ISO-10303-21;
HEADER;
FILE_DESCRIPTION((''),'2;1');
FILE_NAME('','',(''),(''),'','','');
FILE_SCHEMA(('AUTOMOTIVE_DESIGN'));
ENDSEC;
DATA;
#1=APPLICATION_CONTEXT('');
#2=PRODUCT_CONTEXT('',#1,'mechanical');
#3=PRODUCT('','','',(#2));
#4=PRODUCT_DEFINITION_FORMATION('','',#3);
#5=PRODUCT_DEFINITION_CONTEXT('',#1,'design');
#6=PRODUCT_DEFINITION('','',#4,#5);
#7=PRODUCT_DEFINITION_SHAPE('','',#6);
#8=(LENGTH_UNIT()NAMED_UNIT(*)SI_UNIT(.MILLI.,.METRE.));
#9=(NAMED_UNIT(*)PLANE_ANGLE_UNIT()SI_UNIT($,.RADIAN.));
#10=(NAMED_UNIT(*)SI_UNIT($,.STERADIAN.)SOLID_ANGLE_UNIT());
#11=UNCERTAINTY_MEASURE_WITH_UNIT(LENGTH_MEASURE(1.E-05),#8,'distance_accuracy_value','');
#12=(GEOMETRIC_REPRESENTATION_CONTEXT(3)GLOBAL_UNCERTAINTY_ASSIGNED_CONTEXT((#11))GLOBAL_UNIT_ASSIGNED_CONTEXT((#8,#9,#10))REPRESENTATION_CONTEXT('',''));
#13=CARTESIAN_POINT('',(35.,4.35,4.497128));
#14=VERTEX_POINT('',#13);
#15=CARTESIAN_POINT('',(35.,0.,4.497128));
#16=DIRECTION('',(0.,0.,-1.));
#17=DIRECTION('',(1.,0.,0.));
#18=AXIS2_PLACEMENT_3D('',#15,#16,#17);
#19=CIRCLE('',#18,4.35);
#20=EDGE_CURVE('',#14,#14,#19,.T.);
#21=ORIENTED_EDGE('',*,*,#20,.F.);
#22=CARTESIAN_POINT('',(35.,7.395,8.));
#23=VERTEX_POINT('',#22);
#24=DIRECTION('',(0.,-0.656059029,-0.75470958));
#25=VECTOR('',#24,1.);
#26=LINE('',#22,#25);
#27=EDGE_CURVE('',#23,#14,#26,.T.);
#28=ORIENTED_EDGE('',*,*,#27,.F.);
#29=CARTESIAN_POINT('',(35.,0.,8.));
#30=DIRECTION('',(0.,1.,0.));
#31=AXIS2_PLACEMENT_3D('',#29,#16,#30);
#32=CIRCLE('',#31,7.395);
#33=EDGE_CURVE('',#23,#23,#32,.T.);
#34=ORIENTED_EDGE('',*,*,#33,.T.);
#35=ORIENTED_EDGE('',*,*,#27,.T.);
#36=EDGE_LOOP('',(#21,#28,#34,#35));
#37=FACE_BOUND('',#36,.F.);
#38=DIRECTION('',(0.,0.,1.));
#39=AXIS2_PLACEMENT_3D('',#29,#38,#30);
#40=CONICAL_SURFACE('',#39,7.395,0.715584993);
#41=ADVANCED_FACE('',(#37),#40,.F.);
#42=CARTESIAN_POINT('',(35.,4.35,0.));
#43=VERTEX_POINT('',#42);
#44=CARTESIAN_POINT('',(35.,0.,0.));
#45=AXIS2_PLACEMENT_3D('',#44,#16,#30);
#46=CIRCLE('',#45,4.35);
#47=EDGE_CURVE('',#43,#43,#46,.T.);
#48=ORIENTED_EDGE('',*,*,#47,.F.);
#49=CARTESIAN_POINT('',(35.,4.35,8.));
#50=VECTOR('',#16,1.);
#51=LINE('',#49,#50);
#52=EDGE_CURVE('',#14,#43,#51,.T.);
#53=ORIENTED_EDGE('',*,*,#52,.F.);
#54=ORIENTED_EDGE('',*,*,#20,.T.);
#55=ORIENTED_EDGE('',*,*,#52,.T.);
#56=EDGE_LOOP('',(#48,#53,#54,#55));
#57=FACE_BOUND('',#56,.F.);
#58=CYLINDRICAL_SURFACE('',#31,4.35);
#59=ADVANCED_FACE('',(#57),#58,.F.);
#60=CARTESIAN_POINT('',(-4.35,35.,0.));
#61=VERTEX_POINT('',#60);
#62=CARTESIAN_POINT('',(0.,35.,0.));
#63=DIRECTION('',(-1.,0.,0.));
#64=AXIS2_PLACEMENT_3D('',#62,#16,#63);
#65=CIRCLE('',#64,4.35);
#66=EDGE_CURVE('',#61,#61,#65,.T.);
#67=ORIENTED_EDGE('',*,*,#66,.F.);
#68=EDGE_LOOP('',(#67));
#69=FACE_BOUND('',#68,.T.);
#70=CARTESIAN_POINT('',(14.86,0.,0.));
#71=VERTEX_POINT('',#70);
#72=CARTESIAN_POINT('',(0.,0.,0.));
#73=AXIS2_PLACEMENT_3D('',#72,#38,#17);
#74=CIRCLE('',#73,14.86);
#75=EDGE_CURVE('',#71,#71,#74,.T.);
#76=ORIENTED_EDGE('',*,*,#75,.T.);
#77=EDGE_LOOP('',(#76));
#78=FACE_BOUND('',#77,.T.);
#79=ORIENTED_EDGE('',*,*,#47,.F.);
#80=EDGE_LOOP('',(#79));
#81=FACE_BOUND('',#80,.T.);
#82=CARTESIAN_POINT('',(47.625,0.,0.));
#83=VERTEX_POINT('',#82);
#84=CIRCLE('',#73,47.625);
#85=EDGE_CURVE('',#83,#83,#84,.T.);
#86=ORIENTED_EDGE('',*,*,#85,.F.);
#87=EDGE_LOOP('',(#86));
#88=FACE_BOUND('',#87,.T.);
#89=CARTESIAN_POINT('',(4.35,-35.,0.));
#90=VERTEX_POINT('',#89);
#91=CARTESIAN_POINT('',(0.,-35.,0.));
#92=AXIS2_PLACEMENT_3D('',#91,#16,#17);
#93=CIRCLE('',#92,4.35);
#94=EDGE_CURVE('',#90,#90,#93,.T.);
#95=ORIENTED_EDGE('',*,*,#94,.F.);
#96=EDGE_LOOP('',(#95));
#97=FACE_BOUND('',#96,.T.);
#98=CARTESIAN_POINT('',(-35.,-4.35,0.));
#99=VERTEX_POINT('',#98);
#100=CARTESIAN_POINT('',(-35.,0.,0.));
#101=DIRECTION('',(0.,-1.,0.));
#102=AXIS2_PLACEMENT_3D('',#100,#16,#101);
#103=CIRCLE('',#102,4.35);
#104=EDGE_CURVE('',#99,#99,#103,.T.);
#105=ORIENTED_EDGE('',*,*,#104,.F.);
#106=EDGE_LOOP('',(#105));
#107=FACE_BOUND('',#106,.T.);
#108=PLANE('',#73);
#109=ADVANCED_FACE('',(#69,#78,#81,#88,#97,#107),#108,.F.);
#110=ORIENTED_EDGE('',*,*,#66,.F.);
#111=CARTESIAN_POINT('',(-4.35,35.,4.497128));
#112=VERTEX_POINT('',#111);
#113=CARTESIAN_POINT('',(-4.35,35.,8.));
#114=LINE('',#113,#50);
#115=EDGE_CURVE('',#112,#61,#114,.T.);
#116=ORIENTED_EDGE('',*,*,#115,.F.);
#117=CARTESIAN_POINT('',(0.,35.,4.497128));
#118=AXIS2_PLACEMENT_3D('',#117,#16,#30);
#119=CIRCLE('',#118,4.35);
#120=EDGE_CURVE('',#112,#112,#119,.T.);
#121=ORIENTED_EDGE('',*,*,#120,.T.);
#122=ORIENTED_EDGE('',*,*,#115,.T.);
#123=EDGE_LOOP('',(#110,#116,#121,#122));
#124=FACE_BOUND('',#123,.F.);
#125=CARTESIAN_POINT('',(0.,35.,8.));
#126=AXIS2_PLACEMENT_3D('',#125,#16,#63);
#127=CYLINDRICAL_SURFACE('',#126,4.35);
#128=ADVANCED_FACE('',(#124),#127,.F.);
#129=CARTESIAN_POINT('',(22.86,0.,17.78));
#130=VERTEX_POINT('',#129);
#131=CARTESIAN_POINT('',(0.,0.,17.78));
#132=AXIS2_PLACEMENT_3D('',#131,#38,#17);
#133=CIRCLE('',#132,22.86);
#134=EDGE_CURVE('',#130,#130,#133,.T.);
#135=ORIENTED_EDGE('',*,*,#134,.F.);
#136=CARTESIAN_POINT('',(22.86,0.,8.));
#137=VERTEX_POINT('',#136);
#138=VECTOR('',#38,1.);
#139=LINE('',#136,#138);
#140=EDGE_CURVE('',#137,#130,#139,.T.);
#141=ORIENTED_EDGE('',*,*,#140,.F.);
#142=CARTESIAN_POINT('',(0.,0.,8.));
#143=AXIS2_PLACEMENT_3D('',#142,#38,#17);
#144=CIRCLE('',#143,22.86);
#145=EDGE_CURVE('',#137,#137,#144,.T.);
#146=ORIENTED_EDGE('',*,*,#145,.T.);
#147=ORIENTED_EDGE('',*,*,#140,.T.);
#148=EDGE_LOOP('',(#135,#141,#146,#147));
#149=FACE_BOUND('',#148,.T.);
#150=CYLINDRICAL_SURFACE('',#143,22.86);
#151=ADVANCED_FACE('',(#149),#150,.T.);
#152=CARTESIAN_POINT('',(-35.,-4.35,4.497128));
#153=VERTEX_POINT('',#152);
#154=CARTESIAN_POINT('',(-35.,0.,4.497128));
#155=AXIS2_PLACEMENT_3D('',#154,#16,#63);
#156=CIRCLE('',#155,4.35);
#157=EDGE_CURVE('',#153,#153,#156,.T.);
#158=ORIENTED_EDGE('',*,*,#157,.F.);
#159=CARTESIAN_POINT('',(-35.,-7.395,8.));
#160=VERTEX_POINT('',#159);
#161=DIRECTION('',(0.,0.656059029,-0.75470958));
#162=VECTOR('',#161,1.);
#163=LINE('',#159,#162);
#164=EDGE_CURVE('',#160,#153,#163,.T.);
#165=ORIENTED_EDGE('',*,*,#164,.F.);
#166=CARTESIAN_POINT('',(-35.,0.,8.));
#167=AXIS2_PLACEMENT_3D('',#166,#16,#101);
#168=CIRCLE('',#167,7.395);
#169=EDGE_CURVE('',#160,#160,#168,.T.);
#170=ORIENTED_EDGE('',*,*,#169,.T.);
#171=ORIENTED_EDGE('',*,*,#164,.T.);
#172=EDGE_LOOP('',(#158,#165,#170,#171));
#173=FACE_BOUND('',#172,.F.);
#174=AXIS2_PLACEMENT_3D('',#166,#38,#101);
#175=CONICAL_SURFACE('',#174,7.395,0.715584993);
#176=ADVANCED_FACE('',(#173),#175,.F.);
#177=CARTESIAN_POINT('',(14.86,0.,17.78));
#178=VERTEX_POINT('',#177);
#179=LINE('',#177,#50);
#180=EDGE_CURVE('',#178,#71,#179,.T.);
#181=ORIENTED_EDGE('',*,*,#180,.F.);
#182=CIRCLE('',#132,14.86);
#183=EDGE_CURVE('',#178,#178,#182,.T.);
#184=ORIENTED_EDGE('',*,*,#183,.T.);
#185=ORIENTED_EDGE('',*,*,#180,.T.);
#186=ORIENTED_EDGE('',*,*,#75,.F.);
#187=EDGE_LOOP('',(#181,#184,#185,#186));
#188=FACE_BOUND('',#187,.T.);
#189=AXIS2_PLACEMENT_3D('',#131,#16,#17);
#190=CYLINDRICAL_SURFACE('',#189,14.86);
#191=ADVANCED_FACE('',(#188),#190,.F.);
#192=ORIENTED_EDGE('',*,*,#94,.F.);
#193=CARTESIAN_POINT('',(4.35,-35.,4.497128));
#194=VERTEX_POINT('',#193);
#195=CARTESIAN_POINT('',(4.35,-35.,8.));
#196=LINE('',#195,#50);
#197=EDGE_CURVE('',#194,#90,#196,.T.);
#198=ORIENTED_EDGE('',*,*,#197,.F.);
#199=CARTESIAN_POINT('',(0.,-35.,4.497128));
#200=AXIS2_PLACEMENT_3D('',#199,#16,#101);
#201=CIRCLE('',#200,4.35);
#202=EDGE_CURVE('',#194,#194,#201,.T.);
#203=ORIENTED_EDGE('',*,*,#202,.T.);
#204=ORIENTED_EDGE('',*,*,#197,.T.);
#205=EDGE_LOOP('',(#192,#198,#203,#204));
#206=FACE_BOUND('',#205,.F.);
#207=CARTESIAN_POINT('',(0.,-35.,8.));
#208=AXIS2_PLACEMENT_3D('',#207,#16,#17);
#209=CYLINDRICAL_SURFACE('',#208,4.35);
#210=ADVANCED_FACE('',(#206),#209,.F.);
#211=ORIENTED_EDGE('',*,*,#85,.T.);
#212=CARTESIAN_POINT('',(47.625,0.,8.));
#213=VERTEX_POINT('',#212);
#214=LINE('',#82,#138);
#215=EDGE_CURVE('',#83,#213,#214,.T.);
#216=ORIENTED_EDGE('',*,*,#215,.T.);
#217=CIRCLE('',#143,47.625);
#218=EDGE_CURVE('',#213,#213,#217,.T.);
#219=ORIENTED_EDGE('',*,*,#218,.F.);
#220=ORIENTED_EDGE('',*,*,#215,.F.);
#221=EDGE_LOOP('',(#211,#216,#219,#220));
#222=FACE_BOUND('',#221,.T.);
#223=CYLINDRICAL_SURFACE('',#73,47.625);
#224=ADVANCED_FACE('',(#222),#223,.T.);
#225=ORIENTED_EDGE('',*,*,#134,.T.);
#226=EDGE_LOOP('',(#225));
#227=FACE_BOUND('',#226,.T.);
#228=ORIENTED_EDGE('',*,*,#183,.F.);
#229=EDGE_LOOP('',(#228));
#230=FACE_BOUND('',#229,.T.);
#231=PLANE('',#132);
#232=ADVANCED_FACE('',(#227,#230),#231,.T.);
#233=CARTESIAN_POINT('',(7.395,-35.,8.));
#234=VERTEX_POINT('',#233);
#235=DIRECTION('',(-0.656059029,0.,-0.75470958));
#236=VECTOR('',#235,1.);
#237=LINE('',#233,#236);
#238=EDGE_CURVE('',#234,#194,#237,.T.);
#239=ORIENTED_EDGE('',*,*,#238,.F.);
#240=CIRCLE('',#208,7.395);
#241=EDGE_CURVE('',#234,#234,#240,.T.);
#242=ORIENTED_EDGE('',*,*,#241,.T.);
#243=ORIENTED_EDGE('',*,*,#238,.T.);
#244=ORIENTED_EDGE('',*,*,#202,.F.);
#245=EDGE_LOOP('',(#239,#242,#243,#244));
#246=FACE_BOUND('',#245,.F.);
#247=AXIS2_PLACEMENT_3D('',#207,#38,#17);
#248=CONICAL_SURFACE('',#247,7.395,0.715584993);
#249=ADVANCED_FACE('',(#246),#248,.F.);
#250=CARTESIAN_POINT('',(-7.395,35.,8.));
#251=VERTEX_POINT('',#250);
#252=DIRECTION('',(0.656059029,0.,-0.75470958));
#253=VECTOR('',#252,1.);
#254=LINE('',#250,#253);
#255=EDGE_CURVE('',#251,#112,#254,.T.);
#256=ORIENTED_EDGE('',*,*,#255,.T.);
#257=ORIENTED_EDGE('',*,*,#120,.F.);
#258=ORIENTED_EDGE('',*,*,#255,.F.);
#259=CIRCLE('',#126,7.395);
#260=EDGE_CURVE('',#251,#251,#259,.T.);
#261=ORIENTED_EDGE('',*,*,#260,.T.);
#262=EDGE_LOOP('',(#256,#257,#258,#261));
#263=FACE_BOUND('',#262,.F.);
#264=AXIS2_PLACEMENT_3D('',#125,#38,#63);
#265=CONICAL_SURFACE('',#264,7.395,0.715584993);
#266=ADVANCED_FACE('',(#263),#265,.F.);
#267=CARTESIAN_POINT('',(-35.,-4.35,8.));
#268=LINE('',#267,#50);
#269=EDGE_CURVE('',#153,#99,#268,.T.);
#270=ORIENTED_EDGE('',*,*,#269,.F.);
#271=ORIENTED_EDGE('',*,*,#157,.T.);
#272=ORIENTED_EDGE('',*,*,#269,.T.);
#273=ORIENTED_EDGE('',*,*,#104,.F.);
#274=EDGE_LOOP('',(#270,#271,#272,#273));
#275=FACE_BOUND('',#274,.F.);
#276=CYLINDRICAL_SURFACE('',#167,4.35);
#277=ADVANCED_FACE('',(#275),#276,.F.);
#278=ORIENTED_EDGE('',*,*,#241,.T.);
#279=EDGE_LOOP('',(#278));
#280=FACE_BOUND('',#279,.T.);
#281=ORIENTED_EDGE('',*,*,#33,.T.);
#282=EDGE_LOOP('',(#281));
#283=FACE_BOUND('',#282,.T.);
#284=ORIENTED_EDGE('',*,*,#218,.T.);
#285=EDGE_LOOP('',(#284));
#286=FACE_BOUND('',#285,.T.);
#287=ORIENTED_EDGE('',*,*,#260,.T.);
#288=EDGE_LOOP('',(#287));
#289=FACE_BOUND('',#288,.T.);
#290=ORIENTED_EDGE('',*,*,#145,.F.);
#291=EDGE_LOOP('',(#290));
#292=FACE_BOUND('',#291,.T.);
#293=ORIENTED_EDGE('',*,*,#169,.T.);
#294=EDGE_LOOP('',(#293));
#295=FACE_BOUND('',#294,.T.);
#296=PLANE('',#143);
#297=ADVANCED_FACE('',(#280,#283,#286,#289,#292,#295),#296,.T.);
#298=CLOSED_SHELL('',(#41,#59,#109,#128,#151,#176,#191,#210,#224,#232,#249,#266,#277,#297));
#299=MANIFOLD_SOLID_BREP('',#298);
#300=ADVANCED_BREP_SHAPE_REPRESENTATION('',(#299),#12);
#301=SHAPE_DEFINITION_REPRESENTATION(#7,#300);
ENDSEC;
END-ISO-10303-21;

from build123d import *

# Parameters (mm, degrees)
HOLE_D             = 8.7
HOLE_DEPTH         = 25
HOLE_CSINK_D       = 14.79
HOLE_CSINK_ANGLE   = 82
POLARPATTERN_COUNT = 4


with BuildPart() as part:
    # Sketch → Revolution (revolve)
    with BuildSketch(Plane.XZ):
        Polygon((14.86, 0), (47.625, 0), (47.625, 8), (22.86, 8), (22.86, 17.78), (14.86, 17.78), align=None)
    revolve(axis=Axis((0, 0, 0), (0, 0, 1)))

    # Hole
    with Locations(Plane.XY.offset(8)):
        with Locations((0, 35)):
            hole = CounterSinkHole(HOLE_D / 2, HOLE_CSINK_D / 2, depth=HOLE_DEPTH, counter_sink_angle=HOLE_CSINK_ANGLE)

    # PolarPattern: Hole ×4 about axis
    polarpattern_axis = Axis((0, 0, 8), (0, 0, 1))
    for i in range(1, POLARPATTERN_COUNT):
        add(hole.rotate(polarpattern_axis, i * 360 / POLARPATTERN_COUNT), mode=Mode.SUBTRACT)


solid = part.part
